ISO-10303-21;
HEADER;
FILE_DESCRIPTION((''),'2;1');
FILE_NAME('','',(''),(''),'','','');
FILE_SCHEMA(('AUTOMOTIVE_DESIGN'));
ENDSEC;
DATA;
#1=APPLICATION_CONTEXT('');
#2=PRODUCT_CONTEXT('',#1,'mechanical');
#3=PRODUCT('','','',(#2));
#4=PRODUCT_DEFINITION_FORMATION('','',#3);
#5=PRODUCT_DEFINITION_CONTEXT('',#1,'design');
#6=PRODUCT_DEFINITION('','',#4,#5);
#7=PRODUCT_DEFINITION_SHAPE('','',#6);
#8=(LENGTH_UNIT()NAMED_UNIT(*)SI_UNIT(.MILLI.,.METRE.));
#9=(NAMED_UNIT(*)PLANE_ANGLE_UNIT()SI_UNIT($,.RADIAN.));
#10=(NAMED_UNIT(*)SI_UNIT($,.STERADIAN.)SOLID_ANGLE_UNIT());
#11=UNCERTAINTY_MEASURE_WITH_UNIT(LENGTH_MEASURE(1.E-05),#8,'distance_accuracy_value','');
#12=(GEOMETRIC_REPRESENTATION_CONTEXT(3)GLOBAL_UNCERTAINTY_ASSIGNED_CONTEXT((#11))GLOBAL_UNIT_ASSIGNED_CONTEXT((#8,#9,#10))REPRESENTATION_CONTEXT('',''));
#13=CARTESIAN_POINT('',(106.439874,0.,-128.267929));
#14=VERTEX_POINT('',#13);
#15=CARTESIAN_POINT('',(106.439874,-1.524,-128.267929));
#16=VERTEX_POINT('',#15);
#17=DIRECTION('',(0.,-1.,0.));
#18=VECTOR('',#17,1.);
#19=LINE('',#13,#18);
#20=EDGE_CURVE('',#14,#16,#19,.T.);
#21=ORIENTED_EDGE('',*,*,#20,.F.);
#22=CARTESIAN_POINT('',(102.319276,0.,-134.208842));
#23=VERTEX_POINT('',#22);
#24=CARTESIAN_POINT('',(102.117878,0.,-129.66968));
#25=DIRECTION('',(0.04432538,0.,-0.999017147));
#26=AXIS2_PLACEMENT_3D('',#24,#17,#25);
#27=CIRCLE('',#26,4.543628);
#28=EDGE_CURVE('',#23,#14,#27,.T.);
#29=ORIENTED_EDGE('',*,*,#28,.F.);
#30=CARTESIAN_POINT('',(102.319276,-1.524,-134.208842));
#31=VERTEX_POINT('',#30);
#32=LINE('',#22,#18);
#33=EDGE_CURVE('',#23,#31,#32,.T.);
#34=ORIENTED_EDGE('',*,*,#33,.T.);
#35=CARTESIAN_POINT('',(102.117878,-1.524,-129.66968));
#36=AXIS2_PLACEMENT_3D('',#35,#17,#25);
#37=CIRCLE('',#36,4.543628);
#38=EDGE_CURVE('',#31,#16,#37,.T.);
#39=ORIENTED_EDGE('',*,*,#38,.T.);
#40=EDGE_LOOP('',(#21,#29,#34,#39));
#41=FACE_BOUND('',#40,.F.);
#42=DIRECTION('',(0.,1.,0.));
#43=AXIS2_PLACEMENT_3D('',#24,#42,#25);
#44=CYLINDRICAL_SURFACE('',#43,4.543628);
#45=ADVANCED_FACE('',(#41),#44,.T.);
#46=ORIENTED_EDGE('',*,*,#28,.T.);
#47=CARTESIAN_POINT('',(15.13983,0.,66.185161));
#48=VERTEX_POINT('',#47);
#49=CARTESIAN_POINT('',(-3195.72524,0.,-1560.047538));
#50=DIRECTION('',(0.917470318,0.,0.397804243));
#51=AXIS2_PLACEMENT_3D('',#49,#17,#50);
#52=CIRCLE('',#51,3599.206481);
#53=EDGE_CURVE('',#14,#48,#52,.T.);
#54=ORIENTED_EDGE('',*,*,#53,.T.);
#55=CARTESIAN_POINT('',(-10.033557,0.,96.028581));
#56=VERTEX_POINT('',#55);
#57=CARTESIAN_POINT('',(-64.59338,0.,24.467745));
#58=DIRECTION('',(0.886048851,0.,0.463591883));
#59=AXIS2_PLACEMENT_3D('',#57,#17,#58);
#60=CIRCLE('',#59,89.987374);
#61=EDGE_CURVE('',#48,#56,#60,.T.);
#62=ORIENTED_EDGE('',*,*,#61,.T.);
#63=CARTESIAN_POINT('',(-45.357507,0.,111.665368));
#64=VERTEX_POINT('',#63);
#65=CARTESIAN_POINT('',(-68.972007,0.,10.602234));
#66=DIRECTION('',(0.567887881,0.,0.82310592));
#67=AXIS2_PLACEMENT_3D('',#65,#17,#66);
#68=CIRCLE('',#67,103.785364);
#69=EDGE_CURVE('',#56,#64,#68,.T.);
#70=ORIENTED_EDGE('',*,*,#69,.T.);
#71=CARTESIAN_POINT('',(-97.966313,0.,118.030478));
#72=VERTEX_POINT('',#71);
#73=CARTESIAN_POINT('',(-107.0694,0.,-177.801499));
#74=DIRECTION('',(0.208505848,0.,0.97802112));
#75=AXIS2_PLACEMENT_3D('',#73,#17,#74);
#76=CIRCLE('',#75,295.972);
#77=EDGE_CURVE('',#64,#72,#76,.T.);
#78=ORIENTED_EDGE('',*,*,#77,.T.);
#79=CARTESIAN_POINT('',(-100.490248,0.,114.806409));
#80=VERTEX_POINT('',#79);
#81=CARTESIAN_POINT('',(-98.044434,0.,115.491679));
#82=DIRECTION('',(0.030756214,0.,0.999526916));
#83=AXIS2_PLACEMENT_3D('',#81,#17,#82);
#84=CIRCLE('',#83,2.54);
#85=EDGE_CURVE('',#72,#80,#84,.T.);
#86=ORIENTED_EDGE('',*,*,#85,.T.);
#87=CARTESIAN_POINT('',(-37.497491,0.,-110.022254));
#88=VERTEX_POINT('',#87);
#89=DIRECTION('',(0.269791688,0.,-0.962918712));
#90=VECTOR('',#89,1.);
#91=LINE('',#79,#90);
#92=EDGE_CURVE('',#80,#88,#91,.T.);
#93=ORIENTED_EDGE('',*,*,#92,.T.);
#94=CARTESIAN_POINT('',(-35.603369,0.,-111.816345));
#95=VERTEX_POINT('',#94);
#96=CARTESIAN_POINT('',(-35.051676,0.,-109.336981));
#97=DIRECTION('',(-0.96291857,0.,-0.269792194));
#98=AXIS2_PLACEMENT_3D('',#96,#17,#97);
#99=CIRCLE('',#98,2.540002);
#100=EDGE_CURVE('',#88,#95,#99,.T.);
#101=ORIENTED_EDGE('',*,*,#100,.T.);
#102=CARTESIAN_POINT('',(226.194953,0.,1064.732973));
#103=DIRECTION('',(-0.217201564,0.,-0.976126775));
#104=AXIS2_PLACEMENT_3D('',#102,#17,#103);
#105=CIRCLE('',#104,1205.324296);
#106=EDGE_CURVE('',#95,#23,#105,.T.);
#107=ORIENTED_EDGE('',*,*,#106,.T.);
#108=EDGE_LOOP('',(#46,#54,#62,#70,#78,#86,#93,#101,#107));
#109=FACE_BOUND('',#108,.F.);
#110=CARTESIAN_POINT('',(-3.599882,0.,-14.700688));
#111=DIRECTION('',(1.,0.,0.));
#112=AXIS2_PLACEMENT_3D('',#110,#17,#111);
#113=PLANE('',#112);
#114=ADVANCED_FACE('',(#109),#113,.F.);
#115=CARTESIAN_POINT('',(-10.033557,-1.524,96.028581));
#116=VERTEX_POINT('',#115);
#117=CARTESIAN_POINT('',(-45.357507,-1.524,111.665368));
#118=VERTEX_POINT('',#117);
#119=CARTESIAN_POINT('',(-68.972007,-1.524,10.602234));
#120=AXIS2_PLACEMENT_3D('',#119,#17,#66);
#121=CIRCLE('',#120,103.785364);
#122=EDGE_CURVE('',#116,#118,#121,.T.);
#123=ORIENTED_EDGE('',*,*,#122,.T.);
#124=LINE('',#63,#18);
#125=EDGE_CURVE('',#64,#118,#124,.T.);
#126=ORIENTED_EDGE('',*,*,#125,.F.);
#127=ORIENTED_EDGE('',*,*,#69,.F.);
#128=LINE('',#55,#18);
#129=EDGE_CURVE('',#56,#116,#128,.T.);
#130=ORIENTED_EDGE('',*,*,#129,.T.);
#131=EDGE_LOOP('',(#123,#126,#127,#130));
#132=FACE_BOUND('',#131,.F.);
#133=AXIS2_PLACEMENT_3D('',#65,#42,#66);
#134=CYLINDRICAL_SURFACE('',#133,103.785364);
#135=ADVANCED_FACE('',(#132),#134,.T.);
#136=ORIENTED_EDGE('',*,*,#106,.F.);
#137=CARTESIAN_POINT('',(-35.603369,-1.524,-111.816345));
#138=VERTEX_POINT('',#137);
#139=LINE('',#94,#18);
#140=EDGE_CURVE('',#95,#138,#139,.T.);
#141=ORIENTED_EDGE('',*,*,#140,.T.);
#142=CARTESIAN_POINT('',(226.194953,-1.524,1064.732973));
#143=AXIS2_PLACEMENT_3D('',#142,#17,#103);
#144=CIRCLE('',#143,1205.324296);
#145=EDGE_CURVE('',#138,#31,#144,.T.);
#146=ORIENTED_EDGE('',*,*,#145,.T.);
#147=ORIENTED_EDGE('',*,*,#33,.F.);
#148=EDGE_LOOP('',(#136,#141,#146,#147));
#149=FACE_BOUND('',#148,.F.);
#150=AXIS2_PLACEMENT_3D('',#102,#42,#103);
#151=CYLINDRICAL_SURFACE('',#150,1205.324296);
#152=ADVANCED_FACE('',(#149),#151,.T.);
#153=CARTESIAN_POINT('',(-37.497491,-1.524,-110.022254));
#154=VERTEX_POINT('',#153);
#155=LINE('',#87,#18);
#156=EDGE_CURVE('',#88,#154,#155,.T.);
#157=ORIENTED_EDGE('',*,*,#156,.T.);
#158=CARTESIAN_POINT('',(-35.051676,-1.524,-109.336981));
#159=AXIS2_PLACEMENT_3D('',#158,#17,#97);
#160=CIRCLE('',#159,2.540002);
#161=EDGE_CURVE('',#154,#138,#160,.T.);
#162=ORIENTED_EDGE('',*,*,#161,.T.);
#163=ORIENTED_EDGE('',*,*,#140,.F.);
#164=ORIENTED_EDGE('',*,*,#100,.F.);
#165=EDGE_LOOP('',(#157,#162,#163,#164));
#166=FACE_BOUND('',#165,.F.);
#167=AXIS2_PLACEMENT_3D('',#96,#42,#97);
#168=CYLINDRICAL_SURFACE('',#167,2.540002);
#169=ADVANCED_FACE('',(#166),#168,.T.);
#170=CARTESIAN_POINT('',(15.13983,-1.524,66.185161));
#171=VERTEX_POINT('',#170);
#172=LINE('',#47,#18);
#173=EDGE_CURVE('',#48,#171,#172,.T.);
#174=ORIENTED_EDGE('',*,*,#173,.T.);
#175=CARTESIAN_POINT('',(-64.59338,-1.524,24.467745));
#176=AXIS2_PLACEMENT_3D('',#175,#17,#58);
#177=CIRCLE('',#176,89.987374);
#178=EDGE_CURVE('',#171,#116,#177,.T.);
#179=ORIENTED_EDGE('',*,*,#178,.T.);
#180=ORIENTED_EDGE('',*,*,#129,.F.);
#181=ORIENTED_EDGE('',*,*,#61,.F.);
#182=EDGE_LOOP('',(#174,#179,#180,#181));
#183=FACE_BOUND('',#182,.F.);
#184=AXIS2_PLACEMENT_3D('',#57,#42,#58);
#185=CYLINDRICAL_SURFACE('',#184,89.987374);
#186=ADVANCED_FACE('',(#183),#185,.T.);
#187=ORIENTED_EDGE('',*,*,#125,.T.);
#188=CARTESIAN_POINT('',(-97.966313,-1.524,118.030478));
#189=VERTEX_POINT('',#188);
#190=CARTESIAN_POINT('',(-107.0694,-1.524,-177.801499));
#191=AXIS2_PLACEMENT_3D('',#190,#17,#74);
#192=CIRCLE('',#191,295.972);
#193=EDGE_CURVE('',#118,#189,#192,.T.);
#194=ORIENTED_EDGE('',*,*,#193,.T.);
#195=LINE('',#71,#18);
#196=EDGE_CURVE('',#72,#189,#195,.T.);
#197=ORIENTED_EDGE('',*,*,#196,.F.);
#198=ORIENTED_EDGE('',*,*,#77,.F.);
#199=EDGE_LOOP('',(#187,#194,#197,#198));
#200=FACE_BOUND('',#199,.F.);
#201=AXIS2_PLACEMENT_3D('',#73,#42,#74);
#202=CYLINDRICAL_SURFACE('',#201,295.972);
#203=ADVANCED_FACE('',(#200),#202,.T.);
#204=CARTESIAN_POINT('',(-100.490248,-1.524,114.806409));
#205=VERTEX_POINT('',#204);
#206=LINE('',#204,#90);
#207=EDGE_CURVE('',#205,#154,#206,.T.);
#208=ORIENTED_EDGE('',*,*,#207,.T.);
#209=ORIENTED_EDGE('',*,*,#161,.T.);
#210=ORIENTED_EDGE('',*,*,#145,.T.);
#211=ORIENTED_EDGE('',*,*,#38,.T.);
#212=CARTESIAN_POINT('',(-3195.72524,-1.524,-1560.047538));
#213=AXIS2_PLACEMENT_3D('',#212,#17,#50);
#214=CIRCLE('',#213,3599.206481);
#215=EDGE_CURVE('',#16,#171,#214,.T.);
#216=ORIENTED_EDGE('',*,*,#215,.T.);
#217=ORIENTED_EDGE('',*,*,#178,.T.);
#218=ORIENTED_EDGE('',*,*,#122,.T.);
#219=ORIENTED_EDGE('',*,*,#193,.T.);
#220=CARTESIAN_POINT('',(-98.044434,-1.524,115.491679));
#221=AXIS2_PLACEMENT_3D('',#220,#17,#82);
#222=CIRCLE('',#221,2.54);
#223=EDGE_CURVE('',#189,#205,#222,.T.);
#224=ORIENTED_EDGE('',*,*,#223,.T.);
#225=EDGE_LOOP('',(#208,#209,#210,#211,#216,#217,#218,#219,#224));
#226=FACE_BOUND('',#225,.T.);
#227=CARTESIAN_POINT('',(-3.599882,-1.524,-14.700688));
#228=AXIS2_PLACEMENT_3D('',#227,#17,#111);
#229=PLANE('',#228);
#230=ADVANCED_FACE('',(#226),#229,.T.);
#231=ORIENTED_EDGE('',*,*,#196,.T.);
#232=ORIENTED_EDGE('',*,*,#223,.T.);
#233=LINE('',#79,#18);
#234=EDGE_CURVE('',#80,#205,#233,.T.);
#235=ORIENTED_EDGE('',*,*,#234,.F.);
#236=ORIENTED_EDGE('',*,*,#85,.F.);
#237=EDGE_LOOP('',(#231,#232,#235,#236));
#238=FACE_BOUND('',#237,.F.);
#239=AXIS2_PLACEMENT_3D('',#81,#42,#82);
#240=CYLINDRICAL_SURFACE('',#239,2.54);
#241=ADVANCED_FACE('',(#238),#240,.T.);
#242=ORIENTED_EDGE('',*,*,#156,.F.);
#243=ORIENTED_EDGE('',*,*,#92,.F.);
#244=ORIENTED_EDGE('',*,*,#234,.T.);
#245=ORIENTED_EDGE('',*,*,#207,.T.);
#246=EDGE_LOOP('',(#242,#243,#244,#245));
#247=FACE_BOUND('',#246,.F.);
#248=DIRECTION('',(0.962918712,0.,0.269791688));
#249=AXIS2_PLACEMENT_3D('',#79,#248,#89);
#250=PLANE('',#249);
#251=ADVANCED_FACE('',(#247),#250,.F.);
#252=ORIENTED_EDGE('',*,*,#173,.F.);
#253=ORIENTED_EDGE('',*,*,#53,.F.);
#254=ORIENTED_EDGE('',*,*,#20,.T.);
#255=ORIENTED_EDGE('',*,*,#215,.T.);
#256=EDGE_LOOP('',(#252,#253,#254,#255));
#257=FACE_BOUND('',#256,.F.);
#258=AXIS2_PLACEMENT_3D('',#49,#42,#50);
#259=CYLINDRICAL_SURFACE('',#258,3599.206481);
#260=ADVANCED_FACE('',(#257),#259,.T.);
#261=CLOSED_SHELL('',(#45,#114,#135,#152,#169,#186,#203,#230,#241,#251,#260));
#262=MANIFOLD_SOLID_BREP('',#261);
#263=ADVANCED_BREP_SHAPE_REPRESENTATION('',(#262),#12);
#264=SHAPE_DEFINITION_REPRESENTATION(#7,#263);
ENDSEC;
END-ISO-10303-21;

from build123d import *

# Parameters (mm, degrees)
F1_DEPTH = 1.524


with BuildPart() as f1:
    # F0 (on Front) → F1 (new body)
    with BuildSketch(Plane.XZ):
        with BuildLine():
            Line((-100.490248, 114.806409), (-37.497491, -110.022254))
            ThreePointArc((-37.497491, -110.022254), (-36.798374, -111.181068), (-35.603369, -111.816345))
            ThreePointArc((-35.603369, -111.816345), (33.033196, -125.01288), (102.319276, -134.208842))
            ThreePointArc((102.319276, -134.208842), (105.85136, -132.25921), (106.439874, -128.267929))
            ThreePointArc((106.439874, -128.267929), (62.240927, -30.360072), (15.13983, 66.185161))
            ThreePointArc((15.13983, 66.185161), (4.191154, 82.488564), (-10.033557, 96.028581))
            ThreePointArc((-10.033557, 96.028581), (-26.961596, 105.504958), (-45.357507, 111.665368))
            ThreePointArc((-45.357507, 111.665368), (-71.519168, 116.027713), (-97.966313, 118.030478))
            ThreePointArc((-97.966313, 118.030478), (-100.044471, 117.057391), (-100.490248, 114.806409))
        make_face()
    extrude(amount=F1_DEPTH)


solid = f1.part
